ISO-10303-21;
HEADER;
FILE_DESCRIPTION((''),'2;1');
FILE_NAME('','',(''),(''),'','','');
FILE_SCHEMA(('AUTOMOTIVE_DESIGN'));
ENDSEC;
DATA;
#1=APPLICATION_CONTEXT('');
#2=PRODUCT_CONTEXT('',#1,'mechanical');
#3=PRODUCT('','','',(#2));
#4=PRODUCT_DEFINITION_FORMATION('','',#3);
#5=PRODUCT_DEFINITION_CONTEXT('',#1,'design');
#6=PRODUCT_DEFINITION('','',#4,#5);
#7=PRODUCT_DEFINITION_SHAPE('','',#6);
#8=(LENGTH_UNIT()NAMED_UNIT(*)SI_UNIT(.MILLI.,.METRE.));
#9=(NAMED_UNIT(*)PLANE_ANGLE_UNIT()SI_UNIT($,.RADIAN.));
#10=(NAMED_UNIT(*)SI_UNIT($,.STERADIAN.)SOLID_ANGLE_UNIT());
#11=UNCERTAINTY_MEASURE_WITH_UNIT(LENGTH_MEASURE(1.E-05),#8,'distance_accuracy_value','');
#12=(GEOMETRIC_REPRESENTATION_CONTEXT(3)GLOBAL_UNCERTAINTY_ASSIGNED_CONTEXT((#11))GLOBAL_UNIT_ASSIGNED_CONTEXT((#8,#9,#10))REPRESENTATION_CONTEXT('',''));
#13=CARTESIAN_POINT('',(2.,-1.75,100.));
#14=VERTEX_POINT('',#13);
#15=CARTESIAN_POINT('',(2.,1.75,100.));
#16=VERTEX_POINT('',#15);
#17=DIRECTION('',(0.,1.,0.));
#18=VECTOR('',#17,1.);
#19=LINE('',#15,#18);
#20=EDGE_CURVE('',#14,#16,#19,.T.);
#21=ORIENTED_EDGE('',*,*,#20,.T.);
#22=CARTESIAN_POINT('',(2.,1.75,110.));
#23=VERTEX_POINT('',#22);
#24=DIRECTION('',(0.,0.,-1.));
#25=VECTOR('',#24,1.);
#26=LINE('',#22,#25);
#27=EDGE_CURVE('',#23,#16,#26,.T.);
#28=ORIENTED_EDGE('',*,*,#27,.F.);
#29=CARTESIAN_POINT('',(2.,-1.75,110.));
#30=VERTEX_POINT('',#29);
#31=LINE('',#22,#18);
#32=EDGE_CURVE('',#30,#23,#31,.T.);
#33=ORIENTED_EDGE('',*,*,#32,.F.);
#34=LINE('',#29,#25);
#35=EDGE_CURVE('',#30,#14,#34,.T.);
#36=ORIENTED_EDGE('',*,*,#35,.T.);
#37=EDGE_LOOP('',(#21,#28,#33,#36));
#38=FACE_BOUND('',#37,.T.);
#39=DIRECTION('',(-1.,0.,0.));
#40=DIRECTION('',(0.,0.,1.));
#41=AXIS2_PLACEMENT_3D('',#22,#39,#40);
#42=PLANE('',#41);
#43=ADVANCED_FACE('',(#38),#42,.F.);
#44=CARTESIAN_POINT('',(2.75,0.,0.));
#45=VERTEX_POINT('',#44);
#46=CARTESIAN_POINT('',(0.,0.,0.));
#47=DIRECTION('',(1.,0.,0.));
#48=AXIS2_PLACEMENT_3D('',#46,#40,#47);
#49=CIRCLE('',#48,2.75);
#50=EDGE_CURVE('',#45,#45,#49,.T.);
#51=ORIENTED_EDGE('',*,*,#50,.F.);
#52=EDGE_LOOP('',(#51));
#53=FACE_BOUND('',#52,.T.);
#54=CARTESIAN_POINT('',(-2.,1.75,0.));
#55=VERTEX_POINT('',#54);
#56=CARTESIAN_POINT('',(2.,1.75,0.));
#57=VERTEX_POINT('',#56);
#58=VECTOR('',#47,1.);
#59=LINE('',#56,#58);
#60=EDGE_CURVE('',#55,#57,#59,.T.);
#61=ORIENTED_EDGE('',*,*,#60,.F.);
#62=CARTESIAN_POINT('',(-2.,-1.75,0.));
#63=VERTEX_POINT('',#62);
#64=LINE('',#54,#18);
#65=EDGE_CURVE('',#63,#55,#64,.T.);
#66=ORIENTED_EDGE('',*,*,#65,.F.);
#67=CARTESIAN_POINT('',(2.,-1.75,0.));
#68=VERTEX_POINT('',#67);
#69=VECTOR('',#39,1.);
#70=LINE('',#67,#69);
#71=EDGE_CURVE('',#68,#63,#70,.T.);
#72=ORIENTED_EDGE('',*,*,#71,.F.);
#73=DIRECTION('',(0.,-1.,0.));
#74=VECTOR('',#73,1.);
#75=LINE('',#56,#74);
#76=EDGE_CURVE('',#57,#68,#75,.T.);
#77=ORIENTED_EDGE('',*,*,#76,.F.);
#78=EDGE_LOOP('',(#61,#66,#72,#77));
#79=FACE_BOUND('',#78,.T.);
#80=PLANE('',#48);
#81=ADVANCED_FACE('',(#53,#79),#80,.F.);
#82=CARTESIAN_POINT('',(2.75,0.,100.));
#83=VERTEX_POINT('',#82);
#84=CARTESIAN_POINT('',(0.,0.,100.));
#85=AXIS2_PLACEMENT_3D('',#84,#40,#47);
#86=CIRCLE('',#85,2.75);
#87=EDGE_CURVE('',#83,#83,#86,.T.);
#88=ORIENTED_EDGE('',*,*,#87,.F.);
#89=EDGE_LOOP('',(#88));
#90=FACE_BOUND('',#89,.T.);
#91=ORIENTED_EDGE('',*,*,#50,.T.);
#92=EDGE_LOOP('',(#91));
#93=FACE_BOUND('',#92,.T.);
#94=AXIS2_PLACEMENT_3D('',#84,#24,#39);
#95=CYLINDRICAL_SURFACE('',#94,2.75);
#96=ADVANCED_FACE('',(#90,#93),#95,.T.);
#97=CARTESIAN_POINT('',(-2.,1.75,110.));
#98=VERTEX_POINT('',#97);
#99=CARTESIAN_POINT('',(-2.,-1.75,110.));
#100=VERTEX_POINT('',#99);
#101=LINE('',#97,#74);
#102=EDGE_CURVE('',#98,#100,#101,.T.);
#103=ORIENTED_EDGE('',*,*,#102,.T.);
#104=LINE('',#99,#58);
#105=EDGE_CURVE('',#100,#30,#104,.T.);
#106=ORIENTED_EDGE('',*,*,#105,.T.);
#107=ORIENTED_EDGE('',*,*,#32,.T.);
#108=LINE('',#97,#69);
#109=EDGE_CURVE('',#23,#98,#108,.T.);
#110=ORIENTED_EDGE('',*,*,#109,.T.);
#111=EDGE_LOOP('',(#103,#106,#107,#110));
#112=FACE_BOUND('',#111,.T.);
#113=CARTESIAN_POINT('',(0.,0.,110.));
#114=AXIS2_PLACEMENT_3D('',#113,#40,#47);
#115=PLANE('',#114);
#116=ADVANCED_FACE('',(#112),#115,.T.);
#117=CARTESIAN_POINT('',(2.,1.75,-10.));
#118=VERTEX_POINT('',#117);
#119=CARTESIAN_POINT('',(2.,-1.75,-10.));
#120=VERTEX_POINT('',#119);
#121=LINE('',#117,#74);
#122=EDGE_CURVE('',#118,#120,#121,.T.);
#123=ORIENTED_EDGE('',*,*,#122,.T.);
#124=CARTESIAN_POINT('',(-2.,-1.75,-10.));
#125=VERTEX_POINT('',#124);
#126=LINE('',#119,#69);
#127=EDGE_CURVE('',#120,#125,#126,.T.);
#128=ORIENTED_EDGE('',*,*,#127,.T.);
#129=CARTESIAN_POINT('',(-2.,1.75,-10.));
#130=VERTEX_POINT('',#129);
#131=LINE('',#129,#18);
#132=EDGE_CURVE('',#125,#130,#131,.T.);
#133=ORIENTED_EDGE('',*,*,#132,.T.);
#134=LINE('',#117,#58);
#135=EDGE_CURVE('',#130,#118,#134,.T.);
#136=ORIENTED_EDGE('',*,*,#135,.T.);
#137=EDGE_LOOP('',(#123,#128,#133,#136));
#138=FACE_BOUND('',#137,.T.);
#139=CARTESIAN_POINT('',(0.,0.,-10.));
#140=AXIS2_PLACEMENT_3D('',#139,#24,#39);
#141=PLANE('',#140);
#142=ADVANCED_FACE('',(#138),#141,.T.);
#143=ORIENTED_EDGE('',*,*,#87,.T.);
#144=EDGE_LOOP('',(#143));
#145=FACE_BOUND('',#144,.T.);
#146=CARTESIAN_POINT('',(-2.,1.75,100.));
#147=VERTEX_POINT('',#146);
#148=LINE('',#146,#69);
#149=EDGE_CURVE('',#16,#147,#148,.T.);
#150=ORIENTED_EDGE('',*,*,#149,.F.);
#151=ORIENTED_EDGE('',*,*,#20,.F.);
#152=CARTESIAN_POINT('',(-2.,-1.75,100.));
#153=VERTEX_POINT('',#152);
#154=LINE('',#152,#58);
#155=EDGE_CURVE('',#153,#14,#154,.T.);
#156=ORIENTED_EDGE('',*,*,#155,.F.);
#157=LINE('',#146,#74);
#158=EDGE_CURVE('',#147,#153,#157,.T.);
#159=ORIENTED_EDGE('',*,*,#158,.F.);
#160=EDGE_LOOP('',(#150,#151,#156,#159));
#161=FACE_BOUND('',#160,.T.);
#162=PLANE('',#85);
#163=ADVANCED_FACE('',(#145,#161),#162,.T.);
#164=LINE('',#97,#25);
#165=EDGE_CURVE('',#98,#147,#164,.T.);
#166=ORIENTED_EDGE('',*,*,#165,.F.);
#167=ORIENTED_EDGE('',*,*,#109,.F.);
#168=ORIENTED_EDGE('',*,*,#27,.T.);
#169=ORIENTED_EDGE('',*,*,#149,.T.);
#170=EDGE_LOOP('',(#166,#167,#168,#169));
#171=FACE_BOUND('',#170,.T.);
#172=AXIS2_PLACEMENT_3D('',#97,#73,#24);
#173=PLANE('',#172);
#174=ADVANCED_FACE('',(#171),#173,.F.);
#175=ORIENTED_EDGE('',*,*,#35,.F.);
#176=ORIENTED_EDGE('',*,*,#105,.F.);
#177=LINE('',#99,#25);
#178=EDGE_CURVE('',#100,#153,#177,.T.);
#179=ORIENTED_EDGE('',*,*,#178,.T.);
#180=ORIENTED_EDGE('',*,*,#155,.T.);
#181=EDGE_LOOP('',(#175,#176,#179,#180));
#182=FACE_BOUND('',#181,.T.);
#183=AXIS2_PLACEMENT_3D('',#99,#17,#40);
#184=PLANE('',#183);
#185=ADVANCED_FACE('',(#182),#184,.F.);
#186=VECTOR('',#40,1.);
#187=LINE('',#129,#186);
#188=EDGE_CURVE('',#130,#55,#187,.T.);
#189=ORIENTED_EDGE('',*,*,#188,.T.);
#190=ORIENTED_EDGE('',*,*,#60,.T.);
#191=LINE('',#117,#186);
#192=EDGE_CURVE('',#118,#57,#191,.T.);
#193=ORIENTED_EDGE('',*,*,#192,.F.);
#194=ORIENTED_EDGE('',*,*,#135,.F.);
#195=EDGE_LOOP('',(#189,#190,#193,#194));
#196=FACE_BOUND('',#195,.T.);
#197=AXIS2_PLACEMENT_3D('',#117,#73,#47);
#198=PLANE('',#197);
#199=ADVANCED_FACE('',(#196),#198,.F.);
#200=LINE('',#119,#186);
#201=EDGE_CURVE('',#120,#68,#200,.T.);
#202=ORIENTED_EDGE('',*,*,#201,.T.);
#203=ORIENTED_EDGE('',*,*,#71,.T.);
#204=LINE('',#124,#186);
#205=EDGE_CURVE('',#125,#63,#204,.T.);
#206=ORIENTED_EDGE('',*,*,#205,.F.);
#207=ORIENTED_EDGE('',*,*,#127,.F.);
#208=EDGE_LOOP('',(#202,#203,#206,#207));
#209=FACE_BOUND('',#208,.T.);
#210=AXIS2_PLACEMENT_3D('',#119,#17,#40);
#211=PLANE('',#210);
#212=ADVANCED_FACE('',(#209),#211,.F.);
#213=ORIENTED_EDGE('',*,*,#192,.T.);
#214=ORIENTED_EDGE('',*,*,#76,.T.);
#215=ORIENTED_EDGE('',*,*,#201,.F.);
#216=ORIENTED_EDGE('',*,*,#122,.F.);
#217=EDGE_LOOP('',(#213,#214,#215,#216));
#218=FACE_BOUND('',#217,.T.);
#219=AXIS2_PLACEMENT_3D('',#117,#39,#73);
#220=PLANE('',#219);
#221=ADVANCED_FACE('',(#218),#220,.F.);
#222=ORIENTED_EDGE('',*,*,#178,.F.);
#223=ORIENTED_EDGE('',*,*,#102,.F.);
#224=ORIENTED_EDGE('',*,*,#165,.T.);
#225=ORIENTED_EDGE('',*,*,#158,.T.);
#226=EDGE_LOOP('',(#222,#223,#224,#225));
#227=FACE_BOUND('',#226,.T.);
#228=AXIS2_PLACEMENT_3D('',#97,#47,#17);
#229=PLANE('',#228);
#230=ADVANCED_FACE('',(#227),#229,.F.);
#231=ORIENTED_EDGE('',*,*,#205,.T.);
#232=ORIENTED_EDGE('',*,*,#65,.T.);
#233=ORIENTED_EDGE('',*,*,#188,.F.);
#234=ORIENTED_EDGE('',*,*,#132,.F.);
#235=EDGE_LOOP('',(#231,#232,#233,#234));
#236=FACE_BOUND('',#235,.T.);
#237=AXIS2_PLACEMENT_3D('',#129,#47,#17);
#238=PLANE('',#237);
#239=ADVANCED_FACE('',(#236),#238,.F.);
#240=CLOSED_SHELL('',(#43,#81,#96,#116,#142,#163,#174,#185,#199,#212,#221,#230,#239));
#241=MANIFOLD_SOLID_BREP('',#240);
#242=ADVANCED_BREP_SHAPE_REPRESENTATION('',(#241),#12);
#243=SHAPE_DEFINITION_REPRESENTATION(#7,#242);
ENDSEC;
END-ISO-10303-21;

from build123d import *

# Parameters (mm, degrees)
SKETCH1_R           = 2.75
BOSS_EXTRUDE1_DEPTH = 100
SKETCH3_W           = 4
SKETCH3_H           = 3.5
BOSS_EXTRUDE2_DEPTH = 10
SKETCH4_W           = 4
SKETCH4_H           = 3.5
BOSS_EXTRUDE3_DEPTH = 10


with BuildPart() as part:
    # Sketch1 → Boss-Extrude1 (new body)
    with BuildSketch(Plane.XY):
        Circle(SKETCH1_R)
    extrude(amount=BOSS_EXTRUDE1_DEPTH)

    # Sketch3 → Boss-Extrude2 (add)
    with BuildSketch(Plane.XY.offset(100)):
        Rectangle(SKETCH3_W, SKETCH3_H)
    extrude(amount=BOSS_EXTRUDE2_DEPTH)

    # Sketch4 → Boss-Extrude3 (add)
    with BuildSketch(Plane(origin=(0, 0, 0), x_dir=(-1, 0, 0), z_dir=(0, 0, -1))):
        Rectangle(SKETCH4_W, SKETCH4_H)
    extrude(amount=BOSS_EXTRUDE3_DEPTH)


solid = part.part
